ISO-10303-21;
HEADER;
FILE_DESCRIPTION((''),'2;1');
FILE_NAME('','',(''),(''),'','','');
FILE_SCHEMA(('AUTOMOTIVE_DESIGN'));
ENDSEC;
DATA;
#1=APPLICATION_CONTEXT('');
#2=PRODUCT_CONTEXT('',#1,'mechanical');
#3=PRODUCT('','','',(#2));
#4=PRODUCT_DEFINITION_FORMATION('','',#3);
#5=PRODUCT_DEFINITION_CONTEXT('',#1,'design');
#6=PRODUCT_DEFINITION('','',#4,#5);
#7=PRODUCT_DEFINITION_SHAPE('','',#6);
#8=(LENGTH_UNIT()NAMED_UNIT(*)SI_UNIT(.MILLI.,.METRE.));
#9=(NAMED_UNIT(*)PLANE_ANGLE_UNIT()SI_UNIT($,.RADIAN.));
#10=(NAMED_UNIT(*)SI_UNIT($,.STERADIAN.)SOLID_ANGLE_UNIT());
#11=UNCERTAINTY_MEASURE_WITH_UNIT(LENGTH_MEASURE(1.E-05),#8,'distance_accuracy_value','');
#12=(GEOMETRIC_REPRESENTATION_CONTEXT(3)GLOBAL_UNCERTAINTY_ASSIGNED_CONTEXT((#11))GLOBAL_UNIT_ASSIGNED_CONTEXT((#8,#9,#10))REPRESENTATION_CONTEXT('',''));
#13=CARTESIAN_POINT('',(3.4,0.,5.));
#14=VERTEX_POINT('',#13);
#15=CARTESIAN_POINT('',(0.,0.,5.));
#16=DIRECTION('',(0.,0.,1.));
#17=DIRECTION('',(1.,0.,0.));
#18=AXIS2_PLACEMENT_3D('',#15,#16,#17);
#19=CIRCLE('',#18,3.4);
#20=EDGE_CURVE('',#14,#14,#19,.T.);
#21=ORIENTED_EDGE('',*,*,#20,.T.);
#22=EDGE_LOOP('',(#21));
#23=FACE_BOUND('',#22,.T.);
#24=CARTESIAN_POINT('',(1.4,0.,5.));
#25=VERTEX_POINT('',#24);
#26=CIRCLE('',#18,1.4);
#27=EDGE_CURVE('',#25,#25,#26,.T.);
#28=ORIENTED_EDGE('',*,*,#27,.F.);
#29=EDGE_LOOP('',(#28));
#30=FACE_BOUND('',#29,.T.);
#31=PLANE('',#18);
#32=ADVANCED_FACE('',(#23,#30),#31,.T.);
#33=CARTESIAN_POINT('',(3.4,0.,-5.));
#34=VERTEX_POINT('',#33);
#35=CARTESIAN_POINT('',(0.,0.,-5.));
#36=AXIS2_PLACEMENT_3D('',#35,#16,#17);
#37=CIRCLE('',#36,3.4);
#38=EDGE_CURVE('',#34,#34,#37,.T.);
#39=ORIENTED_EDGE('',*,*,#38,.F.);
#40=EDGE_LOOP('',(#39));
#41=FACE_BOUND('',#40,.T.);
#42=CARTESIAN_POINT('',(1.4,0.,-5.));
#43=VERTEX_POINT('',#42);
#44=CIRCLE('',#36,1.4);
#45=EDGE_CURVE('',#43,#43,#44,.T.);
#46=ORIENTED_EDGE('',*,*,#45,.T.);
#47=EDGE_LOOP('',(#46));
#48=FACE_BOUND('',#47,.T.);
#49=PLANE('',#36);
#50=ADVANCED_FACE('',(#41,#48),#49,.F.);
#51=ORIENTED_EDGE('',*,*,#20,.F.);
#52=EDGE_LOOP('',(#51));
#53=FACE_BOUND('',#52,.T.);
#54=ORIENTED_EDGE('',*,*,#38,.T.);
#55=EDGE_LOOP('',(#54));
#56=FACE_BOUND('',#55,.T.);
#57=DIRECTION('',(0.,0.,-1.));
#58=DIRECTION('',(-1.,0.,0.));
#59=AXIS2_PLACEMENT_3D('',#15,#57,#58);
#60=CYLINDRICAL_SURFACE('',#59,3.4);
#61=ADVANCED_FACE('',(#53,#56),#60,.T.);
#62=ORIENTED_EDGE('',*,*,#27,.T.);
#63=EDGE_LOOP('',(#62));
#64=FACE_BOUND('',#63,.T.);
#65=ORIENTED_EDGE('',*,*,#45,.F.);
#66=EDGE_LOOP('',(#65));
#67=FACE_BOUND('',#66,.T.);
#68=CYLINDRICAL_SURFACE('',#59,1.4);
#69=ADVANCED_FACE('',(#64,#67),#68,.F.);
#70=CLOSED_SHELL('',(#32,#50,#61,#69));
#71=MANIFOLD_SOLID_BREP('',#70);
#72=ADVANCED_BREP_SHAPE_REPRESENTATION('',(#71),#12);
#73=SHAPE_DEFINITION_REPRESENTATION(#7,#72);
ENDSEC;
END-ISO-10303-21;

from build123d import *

# Parameters (mm, degrees)
SKETCH1_R      = 3.4
SKETCH1_R_2    = 1.4
EXTRUDE1_DEPTH = 5


with BuildPart() as part:
    # Sketch1 → Extrude1 (new, symmetric)
    with BuildSketch(Plane.XY):
        Circle(SKETCH1_R)
        Circle(SKETCH1_R_2, mode=Mode.SUBTRACT)
    extrude(amount=EXTRUDE1_DEPTH, both=True)


solid = part.part
